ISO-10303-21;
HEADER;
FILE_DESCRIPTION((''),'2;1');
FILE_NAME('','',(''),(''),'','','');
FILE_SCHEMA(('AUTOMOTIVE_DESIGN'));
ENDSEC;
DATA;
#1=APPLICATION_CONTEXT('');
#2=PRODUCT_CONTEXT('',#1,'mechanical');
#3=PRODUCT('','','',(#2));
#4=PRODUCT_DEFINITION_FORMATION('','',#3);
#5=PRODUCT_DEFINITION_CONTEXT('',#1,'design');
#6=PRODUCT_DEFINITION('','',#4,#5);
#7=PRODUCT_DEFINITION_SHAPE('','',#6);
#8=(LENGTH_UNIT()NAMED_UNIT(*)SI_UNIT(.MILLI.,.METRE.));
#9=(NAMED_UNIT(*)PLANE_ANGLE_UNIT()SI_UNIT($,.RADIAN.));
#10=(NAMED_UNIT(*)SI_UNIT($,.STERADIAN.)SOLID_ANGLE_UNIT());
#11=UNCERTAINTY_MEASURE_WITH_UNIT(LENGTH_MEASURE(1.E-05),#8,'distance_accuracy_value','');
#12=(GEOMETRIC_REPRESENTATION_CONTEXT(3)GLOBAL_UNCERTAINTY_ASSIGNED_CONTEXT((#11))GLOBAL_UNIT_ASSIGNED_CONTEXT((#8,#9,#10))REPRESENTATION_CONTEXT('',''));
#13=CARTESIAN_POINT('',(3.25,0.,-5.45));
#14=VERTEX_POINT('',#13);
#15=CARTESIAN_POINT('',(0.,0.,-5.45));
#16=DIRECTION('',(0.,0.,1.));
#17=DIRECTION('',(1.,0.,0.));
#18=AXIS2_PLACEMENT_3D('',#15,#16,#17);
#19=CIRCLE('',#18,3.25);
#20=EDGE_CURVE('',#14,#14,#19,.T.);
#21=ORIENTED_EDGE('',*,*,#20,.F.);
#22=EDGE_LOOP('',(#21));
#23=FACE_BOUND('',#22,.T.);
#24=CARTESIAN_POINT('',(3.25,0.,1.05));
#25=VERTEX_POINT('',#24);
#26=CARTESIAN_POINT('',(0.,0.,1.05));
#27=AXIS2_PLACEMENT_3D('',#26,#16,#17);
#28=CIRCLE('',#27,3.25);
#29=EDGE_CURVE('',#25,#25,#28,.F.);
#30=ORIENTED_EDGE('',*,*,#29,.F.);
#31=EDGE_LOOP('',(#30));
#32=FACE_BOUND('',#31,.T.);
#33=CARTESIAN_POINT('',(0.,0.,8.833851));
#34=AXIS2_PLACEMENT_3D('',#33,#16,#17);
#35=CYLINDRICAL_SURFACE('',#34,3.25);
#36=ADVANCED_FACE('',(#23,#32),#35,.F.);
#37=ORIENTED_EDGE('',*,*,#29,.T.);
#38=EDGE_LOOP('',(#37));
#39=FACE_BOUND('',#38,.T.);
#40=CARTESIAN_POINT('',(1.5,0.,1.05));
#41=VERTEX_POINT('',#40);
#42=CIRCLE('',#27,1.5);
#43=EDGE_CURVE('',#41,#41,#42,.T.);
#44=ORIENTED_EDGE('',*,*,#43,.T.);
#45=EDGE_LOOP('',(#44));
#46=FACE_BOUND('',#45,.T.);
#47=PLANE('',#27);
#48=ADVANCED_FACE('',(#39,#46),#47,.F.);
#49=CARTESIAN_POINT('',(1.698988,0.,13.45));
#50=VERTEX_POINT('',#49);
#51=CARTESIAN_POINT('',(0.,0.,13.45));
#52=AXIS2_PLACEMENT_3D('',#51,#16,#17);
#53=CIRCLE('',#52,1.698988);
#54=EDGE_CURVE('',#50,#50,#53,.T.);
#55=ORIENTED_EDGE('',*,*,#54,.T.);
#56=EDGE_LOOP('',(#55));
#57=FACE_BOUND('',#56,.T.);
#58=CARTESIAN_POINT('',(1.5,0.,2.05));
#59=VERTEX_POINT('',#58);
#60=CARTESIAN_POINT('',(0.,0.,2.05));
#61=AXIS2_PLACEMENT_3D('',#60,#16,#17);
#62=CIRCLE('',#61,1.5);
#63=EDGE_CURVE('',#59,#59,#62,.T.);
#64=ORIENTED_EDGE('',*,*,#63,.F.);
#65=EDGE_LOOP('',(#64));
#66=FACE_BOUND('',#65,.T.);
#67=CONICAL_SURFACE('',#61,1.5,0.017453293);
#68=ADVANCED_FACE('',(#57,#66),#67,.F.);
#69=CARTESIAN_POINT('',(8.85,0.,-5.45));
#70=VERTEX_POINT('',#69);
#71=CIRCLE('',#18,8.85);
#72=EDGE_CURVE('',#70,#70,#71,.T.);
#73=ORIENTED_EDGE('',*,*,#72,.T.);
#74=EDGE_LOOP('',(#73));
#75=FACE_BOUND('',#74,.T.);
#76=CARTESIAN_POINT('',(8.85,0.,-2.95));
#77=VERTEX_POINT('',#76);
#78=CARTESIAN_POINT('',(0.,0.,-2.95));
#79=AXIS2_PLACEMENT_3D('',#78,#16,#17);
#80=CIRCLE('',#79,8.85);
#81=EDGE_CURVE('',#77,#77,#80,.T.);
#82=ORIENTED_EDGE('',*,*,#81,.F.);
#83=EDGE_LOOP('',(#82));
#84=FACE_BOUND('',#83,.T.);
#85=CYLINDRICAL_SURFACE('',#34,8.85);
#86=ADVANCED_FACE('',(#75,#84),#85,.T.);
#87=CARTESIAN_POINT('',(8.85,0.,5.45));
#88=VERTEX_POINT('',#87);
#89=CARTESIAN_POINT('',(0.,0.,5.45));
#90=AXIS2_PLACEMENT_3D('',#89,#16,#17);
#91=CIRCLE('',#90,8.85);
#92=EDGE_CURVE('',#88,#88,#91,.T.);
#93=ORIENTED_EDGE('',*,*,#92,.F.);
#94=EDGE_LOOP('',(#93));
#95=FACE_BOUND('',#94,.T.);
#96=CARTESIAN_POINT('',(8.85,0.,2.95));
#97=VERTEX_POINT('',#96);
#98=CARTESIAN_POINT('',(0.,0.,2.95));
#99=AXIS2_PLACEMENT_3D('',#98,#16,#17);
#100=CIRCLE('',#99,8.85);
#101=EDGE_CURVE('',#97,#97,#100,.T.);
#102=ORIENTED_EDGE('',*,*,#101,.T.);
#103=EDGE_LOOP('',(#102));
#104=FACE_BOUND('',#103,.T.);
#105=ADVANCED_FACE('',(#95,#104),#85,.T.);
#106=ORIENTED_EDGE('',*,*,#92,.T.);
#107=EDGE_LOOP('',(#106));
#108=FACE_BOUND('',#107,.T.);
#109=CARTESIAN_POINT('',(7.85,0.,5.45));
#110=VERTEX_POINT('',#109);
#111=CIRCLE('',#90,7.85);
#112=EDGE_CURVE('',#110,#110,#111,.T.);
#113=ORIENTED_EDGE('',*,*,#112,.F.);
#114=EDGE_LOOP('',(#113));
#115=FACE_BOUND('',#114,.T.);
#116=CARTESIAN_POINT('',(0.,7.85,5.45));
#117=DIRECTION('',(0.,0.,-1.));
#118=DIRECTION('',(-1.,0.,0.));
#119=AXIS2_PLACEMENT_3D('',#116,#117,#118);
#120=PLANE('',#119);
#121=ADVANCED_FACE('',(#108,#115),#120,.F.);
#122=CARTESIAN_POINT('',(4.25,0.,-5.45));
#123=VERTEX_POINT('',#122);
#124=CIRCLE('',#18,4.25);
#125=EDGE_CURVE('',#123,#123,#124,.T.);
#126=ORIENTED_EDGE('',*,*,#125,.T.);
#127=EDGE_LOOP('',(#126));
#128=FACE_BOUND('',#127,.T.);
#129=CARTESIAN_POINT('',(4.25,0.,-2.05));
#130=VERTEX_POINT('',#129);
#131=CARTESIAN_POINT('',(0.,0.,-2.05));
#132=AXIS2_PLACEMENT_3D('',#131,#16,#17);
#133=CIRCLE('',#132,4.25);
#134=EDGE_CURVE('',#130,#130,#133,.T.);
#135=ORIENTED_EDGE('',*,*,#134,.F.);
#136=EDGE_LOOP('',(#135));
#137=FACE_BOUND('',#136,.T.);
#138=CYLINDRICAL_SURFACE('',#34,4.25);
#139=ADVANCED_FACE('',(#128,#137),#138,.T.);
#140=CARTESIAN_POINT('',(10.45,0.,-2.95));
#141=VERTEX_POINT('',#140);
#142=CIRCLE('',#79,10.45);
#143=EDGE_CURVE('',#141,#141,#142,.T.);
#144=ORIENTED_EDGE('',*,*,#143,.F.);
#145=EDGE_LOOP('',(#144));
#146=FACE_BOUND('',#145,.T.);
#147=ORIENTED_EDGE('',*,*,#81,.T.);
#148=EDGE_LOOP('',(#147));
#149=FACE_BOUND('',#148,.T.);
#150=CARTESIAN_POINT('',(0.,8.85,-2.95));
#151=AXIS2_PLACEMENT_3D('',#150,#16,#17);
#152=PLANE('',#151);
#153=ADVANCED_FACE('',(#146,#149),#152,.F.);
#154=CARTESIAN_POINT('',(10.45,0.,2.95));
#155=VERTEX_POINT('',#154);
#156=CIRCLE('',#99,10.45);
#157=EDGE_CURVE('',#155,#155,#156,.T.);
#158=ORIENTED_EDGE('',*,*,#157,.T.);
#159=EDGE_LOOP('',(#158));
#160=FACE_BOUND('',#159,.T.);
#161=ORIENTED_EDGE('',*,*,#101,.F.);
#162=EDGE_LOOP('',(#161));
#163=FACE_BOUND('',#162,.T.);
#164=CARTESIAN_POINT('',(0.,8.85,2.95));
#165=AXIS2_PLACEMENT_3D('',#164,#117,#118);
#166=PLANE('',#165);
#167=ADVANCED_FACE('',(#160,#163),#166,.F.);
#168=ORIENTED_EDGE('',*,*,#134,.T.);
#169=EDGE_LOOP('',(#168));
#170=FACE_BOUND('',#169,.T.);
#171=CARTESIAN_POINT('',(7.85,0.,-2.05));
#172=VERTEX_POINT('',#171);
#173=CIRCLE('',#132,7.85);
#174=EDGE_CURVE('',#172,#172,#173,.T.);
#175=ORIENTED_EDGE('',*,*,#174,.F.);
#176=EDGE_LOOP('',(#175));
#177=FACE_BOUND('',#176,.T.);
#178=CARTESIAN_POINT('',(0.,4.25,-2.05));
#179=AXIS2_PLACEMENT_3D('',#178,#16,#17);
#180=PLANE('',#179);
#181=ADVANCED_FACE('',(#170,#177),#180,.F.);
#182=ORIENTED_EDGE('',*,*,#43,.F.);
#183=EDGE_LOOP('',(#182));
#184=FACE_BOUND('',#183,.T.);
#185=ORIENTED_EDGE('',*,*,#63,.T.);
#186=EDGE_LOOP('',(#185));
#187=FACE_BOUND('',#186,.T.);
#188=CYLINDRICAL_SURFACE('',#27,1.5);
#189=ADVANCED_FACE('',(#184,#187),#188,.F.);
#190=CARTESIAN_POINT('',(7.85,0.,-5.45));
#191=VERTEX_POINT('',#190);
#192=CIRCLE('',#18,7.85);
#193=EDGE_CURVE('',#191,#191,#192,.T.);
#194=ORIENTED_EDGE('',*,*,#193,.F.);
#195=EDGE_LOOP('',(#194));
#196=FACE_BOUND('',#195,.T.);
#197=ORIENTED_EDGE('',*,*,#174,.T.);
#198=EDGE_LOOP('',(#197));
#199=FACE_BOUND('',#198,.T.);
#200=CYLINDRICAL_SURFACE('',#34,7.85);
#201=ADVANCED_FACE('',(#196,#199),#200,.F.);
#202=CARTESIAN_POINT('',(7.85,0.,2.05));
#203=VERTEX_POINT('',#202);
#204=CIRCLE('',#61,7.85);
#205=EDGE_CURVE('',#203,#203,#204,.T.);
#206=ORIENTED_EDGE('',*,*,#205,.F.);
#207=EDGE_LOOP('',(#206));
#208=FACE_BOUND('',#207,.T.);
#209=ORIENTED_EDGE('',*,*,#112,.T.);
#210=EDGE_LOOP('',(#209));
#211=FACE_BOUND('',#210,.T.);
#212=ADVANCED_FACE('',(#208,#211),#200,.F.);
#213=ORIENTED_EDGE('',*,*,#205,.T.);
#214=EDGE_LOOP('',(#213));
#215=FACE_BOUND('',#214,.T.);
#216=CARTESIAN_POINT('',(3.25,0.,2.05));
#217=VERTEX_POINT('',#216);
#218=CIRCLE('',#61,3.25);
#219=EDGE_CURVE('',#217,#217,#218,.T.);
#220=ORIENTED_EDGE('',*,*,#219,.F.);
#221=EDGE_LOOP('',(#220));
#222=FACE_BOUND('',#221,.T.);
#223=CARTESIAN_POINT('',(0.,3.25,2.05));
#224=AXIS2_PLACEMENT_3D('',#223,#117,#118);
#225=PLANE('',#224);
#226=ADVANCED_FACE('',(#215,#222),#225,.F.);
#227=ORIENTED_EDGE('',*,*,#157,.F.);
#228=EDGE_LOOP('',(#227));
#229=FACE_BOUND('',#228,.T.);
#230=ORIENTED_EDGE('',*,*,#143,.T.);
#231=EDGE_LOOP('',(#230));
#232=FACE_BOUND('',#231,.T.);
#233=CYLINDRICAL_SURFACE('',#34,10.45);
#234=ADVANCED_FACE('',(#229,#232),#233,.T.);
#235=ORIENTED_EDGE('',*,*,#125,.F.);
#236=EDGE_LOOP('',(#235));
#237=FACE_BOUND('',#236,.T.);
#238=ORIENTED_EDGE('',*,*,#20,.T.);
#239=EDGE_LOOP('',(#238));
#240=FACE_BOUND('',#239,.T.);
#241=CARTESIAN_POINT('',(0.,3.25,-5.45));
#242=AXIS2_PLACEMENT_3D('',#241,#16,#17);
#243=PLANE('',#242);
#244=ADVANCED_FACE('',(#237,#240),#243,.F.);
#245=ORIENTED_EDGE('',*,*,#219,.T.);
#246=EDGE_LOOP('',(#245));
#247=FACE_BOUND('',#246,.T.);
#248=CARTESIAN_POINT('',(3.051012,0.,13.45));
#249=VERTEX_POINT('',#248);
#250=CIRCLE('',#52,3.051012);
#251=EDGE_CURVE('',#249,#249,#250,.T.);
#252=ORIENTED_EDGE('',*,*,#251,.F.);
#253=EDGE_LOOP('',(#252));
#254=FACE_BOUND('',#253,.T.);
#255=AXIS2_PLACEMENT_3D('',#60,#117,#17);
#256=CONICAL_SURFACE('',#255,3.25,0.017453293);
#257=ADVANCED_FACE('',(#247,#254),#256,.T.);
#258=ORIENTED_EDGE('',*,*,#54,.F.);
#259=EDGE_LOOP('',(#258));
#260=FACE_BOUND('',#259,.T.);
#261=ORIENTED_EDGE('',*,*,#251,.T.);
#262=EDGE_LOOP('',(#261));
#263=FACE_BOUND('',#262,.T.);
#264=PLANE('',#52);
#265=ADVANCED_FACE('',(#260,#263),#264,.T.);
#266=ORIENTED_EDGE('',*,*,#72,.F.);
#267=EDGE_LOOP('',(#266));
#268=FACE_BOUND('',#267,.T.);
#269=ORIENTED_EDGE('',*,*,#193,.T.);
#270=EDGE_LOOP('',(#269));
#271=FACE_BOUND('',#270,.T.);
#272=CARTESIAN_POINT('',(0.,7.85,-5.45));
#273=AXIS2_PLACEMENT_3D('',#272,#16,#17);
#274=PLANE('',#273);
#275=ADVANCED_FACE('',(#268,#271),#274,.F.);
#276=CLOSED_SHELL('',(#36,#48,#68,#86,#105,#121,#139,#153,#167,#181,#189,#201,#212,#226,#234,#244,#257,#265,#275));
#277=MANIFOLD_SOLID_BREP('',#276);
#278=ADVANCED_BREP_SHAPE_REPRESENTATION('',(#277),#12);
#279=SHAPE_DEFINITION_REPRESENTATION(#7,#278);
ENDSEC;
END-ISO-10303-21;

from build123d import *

# Parameters (mm, degrees)
SKETCH3_R                     = 3.25
SKETCH3_R_2                   = 1.5
BOSS_EXTRUDE2_DEPTH           = 11.4
BOSS_EXTRUDE2_TAPER           = 1
BOSS_EXTRUDE2_OTHER_WAY_DEPTH = 1


with BuildPart() as part:
    # Sketch2 → Revolve2 (revolve)
    with BuildSketch(Plane(origin=(0, 0, 0), x_dir=(0, 0, -1), z_dir=(1, 0, 0))):
        Polygon((-2.05, 3.25), (5.45, 3.25), (5.45, 4.25), (2.05, 4.25), (2.05, 7.85), (5.45, 7.85), (5.45, 8.85), (2.95, 8.85), (2.95, 10.45), (-2.95, 10.45), (-2.95, 8.85), (-5.45, 8.85), (-5.45, 7.85), (-2.05, 7.85), align=None)
    revolve(axis=Axis((0, 0, 8.833851455), (0, 0, -1)))

    # Sketch3 → Boss-Extrude2 (add)
    with BuildSketch(Plane.XY.offset(2.05)):
        Circle(SKETCH3_R)
        Circle(SKETCH3_R_2, mode=Mode.SUBTRACT)
    extrude(amount=BOSS_EXTRUDE2_DEPTH, taper=BOSS_EXTRUDE2_TAPER)

    # Sketch3 → Boss-Extrude2 other way (add)
    with BuildSketch(Plane.XY.offset(2.05)):
        Circle(SKETCH3_R)
        Circle(SKETCH3_R_2, mode=Mode.SUBTRACT)
    extrude(amount=-BOSS_EXTRUDE2_OTHER_WAY_DEPTH)


solid = part.part
